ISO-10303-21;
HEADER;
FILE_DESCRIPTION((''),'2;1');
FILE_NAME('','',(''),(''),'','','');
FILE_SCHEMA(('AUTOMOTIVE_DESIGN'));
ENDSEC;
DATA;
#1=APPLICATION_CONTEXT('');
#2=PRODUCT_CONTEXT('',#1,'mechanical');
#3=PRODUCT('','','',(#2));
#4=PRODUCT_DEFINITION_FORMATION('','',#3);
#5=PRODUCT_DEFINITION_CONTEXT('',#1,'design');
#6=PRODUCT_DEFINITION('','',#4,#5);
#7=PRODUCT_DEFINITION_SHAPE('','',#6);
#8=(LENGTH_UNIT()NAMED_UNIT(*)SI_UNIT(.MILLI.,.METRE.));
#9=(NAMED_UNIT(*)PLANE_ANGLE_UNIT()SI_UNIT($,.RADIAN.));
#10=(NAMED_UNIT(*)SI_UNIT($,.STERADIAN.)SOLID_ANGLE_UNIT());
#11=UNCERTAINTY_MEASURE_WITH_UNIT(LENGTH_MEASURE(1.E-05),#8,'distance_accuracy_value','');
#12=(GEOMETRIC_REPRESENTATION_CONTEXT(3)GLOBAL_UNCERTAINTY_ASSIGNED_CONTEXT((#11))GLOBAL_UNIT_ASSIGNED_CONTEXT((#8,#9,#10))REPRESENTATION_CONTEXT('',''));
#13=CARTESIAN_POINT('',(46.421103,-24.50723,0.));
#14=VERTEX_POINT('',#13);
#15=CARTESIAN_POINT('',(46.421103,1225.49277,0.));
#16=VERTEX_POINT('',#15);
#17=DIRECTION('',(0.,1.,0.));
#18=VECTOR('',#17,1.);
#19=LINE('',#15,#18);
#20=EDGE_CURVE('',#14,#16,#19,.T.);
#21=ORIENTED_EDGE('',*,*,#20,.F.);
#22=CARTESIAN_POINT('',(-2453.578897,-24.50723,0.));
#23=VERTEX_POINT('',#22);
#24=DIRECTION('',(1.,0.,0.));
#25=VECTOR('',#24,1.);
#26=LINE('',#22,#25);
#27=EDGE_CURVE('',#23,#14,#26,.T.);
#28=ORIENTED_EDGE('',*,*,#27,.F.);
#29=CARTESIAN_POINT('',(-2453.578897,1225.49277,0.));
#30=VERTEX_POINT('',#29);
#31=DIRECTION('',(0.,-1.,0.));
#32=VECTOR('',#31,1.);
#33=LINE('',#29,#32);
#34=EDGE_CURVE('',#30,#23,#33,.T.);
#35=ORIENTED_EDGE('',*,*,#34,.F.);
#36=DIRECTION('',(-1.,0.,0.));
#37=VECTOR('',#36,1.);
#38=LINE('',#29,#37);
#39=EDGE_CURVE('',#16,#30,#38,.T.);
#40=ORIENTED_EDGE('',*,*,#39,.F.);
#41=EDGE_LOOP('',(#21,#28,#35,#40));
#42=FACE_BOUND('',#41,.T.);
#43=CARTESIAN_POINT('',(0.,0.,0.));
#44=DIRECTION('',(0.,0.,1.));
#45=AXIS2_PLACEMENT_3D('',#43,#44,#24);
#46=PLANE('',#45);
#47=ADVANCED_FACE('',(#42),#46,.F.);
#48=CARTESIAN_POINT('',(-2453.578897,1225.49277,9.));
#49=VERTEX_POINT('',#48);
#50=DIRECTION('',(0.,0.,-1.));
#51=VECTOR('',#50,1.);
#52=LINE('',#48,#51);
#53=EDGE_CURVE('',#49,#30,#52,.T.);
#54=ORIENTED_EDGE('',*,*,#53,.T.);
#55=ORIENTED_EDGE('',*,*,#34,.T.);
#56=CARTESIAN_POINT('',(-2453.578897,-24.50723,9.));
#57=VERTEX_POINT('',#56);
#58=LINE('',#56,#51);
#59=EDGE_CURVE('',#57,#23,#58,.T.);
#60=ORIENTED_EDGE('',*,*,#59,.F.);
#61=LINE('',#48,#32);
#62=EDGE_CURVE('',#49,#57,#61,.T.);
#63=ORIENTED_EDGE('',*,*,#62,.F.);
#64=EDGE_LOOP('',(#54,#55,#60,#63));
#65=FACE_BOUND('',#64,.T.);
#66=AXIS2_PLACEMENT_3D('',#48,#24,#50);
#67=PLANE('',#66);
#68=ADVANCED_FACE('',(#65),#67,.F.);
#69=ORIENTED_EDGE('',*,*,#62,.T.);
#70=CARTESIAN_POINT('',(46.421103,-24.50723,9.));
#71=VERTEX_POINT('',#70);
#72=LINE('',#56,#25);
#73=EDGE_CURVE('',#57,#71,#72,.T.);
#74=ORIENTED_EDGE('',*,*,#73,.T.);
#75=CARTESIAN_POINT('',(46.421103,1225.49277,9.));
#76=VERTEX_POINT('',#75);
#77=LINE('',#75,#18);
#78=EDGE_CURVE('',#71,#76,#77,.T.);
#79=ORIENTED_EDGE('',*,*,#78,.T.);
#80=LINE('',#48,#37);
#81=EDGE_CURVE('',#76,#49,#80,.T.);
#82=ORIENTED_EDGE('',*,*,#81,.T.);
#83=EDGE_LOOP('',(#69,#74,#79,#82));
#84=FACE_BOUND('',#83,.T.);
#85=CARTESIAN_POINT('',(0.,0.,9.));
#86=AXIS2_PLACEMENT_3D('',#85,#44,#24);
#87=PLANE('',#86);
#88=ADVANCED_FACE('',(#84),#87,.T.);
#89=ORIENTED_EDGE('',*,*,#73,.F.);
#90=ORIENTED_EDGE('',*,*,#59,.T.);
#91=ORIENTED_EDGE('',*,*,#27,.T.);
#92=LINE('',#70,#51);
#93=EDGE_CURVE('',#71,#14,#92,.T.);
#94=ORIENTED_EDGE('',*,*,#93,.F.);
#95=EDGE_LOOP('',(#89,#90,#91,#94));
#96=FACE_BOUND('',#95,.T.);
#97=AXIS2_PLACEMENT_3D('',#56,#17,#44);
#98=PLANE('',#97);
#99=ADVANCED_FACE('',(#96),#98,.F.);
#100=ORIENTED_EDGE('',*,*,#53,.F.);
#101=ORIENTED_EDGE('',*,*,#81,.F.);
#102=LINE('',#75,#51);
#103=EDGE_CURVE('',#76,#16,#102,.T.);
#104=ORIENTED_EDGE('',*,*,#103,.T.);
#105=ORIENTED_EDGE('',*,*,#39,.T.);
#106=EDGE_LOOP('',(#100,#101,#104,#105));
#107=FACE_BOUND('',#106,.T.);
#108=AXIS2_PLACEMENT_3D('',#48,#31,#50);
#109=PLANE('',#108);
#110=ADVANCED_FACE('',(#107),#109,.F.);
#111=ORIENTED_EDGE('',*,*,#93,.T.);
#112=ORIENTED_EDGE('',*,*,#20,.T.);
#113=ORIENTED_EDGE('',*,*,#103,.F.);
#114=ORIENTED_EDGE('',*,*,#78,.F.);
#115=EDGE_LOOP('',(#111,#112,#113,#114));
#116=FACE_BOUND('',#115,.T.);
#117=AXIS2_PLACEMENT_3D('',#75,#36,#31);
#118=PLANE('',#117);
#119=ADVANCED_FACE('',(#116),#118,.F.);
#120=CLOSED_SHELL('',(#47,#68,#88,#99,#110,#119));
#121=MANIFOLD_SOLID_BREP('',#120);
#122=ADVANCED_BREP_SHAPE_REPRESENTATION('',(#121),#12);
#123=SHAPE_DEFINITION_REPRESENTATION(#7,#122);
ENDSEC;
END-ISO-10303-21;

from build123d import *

# Parameters (mm, degrees)
SKETCH_1_W      = 2500
SKETCH_1_H      = 1250
EXTRUDE_1_DEPTH = 9


with BuildPart() as part:
    # Эскиз1 → Бобышка-Вытянуть1 (new body)
    with BuildSketch(Plane.XY):
        with Locations((-1203.578897187, 600.492769744)):
            Rectangle(SKETCH_1_W, SKETCH_1_H)
    extrude(amount=EXTRUDE_1_DEPTH)


solid = part.part
